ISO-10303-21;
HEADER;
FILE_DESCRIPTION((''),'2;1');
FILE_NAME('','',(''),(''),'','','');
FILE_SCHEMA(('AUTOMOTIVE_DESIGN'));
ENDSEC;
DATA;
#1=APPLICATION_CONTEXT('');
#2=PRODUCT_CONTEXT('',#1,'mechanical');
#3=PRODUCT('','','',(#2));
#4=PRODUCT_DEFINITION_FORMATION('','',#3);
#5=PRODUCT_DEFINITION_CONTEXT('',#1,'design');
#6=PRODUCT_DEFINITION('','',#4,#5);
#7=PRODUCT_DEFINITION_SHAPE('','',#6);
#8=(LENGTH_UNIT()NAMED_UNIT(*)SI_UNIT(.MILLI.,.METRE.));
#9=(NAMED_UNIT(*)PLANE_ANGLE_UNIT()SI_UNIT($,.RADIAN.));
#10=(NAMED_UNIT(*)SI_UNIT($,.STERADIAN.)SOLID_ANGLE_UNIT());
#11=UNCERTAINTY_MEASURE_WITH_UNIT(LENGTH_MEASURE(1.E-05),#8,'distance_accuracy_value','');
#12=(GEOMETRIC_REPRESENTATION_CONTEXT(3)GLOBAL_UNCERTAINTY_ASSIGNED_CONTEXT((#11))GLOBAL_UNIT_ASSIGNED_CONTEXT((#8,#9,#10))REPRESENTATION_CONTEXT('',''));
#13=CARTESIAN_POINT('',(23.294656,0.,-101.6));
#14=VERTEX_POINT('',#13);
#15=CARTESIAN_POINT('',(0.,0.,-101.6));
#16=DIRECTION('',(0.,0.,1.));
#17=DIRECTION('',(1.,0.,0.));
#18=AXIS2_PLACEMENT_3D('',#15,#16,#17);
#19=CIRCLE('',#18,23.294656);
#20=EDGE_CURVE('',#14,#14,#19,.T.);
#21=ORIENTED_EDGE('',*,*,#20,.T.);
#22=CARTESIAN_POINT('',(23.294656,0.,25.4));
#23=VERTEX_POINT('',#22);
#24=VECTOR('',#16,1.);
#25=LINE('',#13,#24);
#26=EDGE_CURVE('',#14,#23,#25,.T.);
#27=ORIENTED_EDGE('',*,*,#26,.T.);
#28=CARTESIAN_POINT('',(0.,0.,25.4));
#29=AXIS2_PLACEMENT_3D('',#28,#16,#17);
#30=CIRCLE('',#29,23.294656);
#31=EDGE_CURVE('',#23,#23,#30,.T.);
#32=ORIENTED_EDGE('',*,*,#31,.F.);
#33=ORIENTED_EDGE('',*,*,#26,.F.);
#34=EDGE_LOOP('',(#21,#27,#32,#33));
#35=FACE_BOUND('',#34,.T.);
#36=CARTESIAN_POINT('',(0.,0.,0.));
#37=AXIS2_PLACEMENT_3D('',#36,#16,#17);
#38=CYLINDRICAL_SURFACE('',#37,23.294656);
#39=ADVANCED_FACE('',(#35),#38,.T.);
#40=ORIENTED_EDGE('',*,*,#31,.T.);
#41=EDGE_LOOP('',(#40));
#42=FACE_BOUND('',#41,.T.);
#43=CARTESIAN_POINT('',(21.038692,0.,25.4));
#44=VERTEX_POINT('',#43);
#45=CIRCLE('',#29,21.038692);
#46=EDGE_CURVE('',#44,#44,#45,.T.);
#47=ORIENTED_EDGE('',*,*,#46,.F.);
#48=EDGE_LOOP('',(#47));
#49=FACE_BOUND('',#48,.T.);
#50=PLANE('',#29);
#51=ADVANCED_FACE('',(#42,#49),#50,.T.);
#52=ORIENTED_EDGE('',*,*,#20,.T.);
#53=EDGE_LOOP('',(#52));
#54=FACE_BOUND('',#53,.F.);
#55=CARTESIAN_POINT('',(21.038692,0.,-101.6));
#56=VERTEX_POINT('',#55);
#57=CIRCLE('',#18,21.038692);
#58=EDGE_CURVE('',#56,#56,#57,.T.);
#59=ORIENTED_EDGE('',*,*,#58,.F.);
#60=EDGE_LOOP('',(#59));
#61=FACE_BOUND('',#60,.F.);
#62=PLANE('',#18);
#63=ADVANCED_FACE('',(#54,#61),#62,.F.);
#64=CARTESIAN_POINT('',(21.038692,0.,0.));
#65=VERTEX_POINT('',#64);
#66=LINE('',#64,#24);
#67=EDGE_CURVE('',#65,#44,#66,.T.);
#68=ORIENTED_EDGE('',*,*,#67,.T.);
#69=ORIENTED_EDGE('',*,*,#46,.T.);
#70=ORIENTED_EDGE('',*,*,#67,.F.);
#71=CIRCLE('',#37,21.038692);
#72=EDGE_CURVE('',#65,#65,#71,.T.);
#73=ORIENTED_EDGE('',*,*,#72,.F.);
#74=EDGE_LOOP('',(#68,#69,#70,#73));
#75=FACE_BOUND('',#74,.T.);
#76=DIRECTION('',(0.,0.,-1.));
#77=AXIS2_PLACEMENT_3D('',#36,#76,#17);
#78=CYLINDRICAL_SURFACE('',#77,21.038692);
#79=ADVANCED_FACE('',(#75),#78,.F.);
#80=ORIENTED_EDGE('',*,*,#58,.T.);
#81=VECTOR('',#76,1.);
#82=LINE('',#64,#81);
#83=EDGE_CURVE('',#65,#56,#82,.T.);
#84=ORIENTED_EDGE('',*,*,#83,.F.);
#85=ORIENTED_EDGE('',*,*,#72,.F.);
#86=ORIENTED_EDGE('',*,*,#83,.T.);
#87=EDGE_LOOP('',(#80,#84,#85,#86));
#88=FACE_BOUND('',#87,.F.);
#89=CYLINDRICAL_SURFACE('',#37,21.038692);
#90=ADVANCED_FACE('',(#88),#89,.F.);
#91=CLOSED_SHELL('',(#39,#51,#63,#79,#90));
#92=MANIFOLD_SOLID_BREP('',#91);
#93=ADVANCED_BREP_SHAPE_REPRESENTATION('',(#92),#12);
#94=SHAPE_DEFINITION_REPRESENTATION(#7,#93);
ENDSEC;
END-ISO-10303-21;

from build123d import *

# Parameters (mm, degrees)
F1_R     = 23.2946555307
F1_R_2   = 21.0386921851
F2_DEPTH = 25.4
F3_DEPTH = 101.6


with BuildPart() as f2:
    # F1 (on face) → F2 (new body)
    with BuildSketch(Plane.XY):
        Circle(F1_R)
        Circle(F1_R_2, mode=Mode.SUBTRACT)
    extrude(amount=F2_DEPTH)

    # F3 (add): a face of the model
    f3_faces = [f2.faces().sort_by_distance(p)[0] for p in [
        (-22.6357831751, 0, 0),
    ]]
    extrude(f3_faces, amount=F3_DEPTH)


solid = f2.part
